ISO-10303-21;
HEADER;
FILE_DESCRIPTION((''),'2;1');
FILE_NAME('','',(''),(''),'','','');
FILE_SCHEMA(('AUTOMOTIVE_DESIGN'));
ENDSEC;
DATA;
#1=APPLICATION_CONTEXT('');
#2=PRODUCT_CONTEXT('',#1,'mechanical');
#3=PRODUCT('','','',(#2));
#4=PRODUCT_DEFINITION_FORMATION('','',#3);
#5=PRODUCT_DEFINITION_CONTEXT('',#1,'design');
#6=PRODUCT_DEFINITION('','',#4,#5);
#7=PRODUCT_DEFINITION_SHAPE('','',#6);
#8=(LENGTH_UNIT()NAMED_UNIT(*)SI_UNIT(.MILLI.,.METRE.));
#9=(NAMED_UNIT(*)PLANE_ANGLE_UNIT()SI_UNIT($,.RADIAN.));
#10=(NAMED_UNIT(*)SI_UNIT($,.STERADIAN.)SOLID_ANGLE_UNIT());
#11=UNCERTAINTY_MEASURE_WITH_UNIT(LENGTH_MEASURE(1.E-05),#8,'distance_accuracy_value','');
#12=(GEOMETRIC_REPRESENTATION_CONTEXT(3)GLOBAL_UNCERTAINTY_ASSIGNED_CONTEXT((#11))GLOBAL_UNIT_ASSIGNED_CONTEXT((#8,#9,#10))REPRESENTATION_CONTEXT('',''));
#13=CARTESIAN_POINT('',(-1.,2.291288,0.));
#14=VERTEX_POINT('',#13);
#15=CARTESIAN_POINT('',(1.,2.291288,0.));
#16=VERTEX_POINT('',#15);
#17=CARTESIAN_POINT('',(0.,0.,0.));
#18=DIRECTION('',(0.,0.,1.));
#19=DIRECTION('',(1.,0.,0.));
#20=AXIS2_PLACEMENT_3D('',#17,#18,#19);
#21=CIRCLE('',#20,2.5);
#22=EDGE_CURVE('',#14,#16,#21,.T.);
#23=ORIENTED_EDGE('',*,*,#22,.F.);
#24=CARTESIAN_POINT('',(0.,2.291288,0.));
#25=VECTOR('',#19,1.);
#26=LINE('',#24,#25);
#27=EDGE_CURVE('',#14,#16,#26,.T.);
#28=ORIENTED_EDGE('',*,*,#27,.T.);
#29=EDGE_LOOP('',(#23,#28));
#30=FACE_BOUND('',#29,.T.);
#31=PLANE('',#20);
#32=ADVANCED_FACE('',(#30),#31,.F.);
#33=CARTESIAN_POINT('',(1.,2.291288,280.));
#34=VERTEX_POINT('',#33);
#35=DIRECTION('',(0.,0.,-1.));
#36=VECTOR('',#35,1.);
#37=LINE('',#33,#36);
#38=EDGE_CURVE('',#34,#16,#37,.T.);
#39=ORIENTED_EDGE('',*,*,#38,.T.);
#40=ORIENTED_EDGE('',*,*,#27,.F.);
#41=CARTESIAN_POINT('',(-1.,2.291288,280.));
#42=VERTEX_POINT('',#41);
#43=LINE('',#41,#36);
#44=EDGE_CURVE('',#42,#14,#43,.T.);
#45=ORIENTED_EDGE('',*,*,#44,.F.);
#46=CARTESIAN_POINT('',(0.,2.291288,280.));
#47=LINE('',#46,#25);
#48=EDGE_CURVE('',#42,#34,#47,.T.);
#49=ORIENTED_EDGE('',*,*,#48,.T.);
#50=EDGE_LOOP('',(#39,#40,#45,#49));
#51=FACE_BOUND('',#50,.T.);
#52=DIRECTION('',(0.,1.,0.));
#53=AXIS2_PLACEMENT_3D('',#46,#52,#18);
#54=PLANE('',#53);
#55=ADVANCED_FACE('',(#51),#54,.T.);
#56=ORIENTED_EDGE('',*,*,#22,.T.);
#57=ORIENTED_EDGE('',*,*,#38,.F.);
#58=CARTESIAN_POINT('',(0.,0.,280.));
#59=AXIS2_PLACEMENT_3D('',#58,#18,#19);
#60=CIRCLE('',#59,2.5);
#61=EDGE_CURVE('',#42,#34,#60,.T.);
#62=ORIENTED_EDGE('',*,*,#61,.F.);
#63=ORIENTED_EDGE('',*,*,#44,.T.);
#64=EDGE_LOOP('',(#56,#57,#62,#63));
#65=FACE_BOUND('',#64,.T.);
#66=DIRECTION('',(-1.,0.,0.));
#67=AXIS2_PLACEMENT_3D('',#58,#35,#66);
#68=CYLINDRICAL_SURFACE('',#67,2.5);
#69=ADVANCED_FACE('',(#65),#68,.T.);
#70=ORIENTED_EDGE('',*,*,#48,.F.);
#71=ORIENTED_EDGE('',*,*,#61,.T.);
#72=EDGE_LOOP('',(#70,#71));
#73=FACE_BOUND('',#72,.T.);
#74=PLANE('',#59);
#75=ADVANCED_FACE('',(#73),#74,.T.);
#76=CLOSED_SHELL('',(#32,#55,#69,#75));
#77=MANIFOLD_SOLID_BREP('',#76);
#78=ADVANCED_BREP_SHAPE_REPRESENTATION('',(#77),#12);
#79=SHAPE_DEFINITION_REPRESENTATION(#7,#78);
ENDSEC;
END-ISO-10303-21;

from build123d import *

# Parameters (mm, degrees)
BOSS_EXTRU_1_DEPTH = 280


with BuildPart() as part:
    # Esquisse1 → Boss.-Extru.1 (new body)
    with BuildSketch(Plane.XY):
        with BuildLine():
            Line((1, 2.291287847), (-1, 2.291287847))
            ThreePointArc((-1, 2.291287847), (-1.369306394, -2.091650066), (2.5, 0))
            ThreePointArc((2.5, 0), (2.091650066, 1.369306394), (1, 2.291287847))
        make_face()
    extrude(amount=BOSS_EXTRU_1_DEPTH)


solid = part.part
